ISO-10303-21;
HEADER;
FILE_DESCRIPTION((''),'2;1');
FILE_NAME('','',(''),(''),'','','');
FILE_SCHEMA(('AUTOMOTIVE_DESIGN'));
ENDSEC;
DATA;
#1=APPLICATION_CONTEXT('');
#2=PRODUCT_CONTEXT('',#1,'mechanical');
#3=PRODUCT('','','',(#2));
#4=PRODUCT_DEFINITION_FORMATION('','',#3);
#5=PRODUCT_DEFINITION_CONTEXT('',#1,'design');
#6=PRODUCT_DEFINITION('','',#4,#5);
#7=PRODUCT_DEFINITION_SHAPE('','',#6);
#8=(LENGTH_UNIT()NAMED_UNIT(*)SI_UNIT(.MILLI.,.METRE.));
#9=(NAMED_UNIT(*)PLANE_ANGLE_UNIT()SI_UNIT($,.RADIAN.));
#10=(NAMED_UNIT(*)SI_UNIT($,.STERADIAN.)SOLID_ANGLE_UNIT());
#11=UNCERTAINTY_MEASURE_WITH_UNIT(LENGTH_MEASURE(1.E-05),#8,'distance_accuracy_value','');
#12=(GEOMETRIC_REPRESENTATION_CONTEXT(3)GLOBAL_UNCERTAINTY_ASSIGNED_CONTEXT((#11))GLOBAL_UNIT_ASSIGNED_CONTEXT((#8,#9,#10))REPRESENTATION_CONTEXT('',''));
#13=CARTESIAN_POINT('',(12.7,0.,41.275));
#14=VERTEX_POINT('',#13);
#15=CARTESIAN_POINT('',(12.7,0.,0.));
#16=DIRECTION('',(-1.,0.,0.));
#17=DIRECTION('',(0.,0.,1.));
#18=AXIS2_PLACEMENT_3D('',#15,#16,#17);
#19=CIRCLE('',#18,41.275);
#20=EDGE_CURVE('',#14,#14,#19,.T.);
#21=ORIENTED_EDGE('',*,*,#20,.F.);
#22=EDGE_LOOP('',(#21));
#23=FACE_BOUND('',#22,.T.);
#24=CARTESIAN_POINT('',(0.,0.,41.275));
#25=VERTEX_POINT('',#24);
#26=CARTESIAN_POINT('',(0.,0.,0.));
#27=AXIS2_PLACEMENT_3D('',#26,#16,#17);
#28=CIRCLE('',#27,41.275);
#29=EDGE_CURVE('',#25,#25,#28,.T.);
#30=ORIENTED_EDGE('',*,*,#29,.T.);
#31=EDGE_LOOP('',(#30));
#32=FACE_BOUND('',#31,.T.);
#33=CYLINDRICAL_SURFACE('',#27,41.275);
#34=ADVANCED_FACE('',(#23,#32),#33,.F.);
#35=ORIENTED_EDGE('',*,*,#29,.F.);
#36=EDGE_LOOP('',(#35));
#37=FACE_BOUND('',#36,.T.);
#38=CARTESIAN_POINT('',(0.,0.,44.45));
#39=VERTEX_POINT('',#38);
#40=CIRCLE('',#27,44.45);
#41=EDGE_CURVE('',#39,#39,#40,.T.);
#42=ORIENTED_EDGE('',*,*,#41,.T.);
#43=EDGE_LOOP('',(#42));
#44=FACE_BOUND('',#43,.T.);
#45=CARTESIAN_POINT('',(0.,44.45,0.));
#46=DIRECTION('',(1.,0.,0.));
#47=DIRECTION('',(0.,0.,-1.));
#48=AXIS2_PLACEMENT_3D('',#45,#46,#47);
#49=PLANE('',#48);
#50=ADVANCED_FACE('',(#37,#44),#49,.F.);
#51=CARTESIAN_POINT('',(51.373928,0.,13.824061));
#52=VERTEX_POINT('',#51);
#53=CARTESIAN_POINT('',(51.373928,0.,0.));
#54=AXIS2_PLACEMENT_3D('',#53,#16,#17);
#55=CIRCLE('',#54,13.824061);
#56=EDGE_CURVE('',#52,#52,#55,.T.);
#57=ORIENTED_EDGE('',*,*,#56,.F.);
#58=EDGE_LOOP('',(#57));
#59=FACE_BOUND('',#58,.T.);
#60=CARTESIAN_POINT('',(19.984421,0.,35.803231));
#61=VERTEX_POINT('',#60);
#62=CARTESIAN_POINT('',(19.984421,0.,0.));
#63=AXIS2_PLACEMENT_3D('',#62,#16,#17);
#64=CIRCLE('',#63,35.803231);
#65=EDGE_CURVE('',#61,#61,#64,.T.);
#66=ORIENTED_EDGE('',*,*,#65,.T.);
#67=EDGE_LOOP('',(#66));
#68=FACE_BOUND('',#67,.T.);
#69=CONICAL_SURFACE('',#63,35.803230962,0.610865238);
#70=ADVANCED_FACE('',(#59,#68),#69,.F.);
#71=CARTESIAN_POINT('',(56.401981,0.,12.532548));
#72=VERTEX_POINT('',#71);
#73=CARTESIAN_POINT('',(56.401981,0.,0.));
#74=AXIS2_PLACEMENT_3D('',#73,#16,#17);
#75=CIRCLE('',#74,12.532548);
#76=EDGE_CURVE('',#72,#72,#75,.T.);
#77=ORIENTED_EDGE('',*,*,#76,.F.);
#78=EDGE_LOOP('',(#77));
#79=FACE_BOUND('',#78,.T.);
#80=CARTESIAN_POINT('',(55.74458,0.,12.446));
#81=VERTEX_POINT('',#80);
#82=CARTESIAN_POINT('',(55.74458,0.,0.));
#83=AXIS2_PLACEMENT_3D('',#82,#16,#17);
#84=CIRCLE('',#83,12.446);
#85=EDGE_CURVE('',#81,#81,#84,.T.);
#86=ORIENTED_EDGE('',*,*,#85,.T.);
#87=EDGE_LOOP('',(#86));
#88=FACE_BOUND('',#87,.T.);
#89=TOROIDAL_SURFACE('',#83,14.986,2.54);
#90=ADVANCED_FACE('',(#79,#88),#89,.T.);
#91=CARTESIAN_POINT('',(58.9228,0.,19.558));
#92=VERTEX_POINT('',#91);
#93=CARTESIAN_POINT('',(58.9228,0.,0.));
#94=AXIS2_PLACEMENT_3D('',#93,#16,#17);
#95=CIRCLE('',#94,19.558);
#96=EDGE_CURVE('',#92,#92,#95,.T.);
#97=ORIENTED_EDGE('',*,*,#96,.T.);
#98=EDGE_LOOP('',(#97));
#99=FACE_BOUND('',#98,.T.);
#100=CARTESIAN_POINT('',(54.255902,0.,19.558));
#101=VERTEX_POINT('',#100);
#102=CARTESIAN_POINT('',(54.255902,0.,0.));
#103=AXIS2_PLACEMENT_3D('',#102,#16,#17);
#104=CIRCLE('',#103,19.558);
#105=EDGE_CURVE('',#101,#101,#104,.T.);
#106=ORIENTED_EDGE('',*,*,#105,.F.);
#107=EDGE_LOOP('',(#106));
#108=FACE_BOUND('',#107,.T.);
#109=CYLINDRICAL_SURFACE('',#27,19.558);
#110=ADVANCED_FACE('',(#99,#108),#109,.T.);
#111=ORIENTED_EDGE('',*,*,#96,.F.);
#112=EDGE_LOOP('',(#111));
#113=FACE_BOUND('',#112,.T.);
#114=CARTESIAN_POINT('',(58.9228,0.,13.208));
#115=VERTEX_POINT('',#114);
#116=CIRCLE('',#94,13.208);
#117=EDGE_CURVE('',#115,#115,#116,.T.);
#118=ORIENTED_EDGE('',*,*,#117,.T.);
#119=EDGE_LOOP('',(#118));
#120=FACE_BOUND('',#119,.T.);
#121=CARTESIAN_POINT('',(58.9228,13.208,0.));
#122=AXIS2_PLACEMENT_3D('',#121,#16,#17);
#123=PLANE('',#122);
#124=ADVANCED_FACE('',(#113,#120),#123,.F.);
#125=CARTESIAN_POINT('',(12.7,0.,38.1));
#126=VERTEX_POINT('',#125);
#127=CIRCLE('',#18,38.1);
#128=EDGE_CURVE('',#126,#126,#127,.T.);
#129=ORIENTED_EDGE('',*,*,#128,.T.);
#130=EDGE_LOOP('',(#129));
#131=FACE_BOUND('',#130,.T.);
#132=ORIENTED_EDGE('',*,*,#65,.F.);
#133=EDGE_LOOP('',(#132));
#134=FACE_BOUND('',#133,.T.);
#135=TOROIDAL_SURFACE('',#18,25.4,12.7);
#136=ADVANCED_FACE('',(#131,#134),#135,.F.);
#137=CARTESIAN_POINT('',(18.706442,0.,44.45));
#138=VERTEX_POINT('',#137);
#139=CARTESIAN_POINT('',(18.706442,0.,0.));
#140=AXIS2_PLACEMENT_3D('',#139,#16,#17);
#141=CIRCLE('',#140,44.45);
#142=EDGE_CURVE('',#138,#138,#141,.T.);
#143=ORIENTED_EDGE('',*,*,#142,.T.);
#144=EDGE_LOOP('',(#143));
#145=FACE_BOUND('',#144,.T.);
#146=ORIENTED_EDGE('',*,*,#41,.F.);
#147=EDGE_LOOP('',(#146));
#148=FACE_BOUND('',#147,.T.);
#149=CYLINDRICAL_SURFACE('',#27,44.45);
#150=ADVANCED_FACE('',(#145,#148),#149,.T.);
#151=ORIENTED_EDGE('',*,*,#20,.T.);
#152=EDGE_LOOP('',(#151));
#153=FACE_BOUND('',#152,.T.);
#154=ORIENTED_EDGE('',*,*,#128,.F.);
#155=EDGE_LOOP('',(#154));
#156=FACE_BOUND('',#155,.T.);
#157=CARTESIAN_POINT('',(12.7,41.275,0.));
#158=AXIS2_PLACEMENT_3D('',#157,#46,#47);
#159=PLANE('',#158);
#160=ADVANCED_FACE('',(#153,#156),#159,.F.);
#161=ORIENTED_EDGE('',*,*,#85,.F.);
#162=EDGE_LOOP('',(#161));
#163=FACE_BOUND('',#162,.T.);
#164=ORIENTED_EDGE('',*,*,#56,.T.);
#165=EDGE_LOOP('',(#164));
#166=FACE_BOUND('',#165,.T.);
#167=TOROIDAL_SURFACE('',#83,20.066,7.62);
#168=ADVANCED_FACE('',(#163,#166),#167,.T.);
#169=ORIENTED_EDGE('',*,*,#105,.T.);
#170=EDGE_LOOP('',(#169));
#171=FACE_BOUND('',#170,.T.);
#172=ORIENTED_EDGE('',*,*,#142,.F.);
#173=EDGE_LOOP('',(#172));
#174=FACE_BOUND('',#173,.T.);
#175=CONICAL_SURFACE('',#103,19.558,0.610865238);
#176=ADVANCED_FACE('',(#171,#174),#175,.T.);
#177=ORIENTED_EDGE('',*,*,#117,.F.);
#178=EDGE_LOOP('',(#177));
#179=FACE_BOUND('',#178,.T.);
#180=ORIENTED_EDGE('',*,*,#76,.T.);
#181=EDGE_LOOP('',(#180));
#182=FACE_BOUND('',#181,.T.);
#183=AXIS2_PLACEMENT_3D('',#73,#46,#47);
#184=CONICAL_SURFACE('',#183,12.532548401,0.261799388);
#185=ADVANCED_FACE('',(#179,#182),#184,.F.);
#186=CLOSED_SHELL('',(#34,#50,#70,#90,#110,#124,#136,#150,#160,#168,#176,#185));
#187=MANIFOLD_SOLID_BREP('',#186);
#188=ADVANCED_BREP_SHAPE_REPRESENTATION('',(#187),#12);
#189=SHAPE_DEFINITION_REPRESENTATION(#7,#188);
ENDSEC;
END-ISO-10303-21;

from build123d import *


with BuildPart() as part:
    # Sketch1 → Revolve1 (revolve)
    with BuildSketch(Plane.XY):
        with BuildLine():
            Line((18.706441928, 44.45), (0, 44.45))
            Line((0, 44.45), (0, 41.275))
            Line((0, 41.275), (12.7, 41.275))
            Line((12.7, 41.275), (12.7, 38.1))
            ThreePointArc((12.7, 38.1), (16.518963654, 37.512205275), (19.984420742, 35.803230962))
            Line((19.984420742, 35.803230962), (51.37392791, 13.824061423))
            ThreePointArc((51.37392791, 13.824061423), (53.453202163, 12.798676835), (55.744580355, 12.446))
            ThreePointArc((55.744580355, 12.446), (56.076116883, 12.467730052), (56.40198073, 12.532548401))
            Line((56.40198073, 12.532548401), (58.922800414, 13.208))
            Line((58.922800414, 13.208), (58.922800414, 19.558))
            Line((58.922800414, 19.558), (54.255902112, 19.558))
            Line((54.255902112, 19.558), (18.706441928, 44.45))
        make_face()
    revolve(axis=Axis((0, 0, 0), (1, 0, 0)))


solid = part.part
